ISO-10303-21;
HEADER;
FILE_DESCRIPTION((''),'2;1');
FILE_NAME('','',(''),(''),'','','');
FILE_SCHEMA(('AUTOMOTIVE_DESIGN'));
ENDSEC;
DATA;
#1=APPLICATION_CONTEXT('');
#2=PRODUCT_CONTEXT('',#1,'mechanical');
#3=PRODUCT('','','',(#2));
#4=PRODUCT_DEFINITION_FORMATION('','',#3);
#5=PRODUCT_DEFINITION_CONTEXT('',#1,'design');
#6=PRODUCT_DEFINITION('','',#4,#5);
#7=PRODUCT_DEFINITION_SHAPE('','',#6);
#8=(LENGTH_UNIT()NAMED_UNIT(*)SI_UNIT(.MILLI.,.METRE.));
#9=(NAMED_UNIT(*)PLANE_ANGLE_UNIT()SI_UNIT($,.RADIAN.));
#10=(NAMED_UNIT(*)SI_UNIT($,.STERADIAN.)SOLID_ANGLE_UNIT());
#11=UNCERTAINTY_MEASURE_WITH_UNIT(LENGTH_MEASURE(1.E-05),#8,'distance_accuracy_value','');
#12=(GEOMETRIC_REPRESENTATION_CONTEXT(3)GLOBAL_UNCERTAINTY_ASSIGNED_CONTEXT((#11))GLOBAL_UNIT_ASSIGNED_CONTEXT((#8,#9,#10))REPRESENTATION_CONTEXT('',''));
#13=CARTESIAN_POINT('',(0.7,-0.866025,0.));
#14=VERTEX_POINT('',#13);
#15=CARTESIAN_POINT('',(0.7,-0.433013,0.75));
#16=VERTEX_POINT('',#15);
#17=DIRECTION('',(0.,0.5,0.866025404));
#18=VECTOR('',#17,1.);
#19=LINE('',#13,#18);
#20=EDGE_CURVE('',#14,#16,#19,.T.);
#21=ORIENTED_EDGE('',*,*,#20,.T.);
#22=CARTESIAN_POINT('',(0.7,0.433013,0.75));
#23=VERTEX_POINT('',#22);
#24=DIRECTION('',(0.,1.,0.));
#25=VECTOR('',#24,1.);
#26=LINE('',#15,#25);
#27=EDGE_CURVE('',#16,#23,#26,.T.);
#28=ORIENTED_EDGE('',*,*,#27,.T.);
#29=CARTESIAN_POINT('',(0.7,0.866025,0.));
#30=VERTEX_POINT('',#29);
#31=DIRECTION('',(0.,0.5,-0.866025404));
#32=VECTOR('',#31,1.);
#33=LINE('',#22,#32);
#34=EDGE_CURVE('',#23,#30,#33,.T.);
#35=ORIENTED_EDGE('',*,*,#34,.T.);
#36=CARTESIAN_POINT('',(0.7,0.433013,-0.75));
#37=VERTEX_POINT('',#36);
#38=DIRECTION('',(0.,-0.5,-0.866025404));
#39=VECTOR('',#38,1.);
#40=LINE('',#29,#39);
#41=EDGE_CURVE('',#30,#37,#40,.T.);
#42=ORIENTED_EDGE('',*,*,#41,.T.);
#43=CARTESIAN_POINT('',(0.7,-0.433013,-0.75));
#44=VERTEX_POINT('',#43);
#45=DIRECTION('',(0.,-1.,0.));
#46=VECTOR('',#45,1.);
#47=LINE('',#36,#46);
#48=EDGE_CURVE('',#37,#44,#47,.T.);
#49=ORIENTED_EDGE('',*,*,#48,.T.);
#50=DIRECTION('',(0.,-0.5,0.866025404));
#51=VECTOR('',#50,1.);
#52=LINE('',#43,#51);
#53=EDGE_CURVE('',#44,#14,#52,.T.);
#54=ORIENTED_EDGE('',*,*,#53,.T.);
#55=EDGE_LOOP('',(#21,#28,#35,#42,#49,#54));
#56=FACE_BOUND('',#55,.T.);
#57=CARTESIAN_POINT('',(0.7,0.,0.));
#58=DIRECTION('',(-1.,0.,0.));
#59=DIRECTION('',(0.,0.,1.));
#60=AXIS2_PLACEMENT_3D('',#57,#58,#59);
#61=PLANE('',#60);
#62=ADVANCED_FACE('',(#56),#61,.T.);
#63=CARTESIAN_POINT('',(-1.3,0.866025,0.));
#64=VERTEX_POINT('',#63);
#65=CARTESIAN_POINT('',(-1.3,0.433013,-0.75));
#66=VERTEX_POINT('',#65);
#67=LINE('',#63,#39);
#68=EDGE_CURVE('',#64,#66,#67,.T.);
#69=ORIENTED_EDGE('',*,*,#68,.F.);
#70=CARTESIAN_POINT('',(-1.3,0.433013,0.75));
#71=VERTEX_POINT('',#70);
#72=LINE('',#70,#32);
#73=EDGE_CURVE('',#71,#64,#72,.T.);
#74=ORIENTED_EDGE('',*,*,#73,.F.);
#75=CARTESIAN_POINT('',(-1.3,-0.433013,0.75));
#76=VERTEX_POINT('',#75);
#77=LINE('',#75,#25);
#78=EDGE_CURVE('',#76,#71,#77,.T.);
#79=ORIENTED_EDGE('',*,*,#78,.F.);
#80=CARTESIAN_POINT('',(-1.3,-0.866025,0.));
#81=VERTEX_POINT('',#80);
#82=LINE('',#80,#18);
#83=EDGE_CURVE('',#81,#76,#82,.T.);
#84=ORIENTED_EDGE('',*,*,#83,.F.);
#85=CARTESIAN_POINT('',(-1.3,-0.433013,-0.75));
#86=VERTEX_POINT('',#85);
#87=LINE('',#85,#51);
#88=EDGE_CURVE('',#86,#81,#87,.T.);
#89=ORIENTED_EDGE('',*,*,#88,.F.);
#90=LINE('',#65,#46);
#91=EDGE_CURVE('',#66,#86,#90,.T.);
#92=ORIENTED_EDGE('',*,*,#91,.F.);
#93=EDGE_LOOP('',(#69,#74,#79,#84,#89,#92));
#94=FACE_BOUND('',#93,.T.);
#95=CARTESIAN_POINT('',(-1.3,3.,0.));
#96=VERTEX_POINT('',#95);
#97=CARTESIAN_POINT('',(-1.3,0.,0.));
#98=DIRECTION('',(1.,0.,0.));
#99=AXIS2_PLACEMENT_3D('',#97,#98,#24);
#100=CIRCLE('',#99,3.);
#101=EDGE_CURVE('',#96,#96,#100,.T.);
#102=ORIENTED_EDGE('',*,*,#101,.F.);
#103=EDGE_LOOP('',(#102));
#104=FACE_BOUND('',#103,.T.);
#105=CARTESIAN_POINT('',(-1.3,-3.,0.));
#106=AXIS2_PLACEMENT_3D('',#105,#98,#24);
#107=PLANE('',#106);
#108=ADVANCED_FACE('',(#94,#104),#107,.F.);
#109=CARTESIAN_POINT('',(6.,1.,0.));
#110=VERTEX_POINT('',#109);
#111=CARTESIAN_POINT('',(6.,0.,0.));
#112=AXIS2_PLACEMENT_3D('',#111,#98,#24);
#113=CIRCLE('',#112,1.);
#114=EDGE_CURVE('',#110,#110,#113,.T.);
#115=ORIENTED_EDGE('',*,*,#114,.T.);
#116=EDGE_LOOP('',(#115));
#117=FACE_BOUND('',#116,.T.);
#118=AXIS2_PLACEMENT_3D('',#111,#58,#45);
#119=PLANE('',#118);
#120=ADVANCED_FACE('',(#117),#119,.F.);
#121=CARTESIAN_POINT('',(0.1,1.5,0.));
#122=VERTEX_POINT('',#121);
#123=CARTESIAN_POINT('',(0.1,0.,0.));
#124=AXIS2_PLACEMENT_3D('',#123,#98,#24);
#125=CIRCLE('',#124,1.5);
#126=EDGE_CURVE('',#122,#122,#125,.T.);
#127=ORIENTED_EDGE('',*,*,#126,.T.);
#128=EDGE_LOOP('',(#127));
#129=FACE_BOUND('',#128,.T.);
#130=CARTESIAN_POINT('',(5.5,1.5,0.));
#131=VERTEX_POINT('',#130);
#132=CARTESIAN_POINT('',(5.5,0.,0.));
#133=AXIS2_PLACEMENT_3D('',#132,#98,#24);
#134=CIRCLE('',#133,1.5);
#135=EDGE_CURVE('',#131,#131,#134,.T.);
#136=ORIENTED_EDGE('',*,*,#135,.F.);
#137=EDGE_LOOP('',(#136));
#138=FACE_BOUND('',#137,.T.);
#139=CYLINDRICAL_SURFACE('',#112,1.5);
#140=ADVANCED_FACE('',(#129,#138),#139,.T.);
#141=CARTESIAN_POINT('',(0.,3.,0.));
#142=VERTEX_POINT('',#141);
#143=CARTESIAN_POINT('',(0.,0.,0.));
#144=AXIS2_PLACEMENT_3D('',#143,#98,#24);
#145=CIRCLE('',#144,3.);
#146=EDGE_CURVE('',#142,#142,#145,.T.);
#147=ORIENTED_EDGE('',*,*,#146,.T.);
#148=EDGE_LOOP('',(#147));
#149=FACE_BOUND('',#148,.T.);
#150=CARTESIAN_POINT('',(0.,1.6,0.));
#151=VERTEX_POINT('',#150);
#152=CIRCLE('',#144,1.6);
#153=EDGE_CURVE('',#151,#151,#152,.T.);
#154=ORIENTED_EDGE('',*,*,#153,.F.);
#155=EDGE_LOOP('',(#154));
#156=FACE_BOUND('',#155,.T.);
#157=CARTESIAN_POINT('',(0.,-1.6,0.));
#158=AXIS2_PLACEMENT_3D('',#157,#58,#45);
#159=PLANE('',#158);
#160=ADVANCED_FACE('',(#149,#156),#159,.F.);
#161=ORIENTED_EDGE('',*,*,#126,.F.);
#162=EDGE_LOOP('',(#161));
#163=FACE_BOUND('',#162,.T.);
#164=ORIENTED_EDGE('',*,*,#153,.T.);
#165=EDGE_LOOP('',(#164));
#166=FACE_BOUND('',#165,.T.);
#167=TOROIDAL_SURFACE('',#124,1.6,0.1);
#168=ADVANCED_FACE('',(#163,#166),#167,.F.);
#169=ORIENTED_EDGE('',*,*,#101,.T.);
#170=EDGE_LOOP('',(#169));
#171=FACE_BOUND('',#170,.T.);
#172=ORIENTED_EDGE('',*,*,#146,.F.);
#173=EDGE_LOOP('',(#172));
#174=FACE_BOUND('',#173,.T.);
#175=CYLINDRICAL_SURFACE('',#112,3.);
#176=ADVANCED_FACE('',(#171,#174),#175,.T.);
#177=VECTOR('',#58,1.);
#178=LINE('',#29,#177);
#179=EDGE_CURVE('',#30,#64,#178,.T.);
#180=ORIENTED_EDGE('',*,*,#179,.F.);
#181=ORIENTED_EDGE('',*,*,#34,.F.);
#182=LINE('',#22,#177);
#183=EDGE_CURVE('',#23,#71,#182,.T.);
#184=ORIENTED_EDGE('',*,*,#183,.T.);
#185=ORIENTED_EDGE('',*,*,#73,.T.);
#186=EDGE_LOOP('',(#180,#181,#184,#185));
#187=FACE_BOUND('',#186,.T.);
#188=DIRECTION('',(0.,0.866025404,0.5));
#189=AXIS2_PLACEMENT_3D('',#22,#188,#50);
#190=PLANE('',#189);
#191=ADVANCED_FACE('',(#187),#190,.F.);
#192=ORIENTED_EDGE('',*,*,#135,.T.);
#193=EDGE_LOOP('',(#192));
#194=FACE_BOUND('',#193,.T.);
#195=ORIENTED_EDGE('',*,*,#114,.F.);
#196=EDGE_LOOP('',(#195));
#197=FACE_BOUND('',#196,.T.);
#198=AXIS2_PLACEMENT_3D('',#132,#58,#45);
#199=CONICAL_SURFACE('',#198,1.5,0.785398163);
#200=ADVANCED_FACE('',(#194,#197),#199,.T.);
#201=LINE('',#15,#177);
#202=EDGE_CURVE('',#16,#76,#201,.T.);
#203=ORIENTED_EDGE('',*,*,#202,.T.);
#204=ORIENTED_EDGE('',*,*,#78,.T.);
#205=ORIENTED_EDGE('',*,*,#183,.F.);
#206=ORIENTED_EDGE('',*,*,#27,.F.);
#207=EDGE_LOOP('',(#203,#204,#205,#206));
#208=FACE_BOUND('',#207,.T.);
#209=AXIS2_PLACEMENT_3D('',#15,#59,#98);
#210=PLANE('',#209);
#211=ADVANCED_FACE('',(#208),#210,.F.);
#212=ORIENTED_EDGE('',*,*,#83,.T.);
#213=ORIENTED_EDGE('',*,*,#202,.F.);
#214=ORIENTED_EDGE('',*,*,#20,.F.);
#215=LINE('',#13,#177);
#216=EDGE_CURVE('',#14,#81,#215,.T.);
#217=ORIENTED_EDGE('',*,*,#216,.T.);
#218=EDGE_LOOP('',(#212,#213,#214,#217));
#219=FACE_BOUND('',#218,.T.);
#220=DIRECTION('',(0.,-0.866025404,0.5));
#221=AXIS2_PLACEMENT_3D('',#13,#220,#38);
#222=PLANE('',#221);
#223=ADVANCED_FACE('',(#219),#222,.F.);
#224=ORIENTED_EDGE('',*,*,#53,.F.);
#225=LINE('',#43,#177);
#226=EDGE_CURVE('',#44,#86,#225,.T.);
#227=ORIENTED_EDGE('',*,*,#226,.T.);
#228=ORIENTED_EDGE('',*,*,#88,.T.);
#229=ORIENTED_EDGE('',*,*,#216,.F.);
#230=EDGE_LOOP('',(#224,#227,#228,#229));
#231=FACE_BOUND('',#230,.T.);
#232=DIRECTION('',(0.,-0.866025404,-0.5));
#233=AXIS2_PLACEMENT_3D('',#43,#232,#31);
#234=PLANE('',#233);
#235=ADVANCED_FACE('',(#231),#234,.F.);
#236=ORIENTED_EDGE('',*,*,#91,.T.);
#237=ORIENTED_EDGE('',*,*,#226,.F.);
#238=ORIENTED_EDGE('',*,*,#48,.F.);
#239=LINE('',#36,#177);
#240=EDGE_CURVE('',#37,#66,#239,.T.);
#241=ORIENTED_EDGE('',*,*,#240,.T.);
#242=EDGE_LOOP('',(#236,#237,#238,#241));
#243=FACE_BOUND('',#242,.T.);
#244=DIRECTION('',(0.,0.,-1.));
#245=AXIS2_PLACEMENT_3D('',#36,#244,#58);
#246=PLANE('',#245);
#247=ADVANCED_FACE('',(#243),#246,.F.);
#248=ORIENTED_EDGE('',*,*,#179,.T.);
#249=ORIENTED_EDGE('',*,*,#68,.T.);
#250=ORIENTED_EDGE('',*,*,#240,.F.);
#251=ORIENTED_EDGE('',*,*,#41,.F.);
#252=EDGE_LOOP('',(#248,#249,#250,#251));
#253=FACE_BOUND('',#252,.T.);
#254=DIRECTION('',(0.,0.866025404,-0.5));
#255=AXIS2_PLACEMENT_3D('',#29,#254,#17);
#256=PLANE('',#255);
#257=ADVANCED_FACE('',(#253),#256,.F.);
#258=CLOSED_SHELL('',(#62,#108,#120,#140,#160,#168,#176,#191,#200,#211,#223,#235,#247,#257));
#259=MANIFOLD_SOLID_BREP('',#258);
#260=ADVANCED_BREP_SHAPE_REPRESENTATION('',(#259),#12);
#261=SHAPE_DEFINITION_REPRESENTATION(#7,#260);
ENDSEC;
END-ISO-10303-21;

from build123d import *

# Parameters (mm, degrees)
CUT_EXTRUDE1_DEPTH = 2


with BuildPart() as part:
    # Sketch1 → Revolve1 (revolve)
    with BuildSketch(Plane.XY):
        with BuildLine():
            Line((-1.3, 0), (6, 0))
            Line((6, 0), (6, -1))
            Line((6, -1), (5.5, -1.5))
            Line((5.5, -1.5), (0.1, -1.5))
            ThreePointArc((0.1, -1.5), (0.029289322, -1.529289322), (0, -1.6))
            Line((0, -1.6), (0, -3))
            Line((0, -3), (-1.3, -3))
            Line((-1.3, -3), (-1.3, 0))
        make_face()
    revolve(axis=Axis((6, 0, 0), (-1, 0, 0)))

    # Sketch2 → Cut-Extrude1 (cut)
    with BuildSketch(Plane.ZY.offset(1.3)):
        Polygon((0, 0.866025404), (-0.75, 0.433012702), (-0.75, -0.433012702), (0, -0.866025404), (0.75, -0.433012702), (0.75, 0.433012702), align=None)
    extrude(amount=-CUT_EXTRUDE1_DEPTH, mode=Mode.SUBTRACT)


solid = part.part
